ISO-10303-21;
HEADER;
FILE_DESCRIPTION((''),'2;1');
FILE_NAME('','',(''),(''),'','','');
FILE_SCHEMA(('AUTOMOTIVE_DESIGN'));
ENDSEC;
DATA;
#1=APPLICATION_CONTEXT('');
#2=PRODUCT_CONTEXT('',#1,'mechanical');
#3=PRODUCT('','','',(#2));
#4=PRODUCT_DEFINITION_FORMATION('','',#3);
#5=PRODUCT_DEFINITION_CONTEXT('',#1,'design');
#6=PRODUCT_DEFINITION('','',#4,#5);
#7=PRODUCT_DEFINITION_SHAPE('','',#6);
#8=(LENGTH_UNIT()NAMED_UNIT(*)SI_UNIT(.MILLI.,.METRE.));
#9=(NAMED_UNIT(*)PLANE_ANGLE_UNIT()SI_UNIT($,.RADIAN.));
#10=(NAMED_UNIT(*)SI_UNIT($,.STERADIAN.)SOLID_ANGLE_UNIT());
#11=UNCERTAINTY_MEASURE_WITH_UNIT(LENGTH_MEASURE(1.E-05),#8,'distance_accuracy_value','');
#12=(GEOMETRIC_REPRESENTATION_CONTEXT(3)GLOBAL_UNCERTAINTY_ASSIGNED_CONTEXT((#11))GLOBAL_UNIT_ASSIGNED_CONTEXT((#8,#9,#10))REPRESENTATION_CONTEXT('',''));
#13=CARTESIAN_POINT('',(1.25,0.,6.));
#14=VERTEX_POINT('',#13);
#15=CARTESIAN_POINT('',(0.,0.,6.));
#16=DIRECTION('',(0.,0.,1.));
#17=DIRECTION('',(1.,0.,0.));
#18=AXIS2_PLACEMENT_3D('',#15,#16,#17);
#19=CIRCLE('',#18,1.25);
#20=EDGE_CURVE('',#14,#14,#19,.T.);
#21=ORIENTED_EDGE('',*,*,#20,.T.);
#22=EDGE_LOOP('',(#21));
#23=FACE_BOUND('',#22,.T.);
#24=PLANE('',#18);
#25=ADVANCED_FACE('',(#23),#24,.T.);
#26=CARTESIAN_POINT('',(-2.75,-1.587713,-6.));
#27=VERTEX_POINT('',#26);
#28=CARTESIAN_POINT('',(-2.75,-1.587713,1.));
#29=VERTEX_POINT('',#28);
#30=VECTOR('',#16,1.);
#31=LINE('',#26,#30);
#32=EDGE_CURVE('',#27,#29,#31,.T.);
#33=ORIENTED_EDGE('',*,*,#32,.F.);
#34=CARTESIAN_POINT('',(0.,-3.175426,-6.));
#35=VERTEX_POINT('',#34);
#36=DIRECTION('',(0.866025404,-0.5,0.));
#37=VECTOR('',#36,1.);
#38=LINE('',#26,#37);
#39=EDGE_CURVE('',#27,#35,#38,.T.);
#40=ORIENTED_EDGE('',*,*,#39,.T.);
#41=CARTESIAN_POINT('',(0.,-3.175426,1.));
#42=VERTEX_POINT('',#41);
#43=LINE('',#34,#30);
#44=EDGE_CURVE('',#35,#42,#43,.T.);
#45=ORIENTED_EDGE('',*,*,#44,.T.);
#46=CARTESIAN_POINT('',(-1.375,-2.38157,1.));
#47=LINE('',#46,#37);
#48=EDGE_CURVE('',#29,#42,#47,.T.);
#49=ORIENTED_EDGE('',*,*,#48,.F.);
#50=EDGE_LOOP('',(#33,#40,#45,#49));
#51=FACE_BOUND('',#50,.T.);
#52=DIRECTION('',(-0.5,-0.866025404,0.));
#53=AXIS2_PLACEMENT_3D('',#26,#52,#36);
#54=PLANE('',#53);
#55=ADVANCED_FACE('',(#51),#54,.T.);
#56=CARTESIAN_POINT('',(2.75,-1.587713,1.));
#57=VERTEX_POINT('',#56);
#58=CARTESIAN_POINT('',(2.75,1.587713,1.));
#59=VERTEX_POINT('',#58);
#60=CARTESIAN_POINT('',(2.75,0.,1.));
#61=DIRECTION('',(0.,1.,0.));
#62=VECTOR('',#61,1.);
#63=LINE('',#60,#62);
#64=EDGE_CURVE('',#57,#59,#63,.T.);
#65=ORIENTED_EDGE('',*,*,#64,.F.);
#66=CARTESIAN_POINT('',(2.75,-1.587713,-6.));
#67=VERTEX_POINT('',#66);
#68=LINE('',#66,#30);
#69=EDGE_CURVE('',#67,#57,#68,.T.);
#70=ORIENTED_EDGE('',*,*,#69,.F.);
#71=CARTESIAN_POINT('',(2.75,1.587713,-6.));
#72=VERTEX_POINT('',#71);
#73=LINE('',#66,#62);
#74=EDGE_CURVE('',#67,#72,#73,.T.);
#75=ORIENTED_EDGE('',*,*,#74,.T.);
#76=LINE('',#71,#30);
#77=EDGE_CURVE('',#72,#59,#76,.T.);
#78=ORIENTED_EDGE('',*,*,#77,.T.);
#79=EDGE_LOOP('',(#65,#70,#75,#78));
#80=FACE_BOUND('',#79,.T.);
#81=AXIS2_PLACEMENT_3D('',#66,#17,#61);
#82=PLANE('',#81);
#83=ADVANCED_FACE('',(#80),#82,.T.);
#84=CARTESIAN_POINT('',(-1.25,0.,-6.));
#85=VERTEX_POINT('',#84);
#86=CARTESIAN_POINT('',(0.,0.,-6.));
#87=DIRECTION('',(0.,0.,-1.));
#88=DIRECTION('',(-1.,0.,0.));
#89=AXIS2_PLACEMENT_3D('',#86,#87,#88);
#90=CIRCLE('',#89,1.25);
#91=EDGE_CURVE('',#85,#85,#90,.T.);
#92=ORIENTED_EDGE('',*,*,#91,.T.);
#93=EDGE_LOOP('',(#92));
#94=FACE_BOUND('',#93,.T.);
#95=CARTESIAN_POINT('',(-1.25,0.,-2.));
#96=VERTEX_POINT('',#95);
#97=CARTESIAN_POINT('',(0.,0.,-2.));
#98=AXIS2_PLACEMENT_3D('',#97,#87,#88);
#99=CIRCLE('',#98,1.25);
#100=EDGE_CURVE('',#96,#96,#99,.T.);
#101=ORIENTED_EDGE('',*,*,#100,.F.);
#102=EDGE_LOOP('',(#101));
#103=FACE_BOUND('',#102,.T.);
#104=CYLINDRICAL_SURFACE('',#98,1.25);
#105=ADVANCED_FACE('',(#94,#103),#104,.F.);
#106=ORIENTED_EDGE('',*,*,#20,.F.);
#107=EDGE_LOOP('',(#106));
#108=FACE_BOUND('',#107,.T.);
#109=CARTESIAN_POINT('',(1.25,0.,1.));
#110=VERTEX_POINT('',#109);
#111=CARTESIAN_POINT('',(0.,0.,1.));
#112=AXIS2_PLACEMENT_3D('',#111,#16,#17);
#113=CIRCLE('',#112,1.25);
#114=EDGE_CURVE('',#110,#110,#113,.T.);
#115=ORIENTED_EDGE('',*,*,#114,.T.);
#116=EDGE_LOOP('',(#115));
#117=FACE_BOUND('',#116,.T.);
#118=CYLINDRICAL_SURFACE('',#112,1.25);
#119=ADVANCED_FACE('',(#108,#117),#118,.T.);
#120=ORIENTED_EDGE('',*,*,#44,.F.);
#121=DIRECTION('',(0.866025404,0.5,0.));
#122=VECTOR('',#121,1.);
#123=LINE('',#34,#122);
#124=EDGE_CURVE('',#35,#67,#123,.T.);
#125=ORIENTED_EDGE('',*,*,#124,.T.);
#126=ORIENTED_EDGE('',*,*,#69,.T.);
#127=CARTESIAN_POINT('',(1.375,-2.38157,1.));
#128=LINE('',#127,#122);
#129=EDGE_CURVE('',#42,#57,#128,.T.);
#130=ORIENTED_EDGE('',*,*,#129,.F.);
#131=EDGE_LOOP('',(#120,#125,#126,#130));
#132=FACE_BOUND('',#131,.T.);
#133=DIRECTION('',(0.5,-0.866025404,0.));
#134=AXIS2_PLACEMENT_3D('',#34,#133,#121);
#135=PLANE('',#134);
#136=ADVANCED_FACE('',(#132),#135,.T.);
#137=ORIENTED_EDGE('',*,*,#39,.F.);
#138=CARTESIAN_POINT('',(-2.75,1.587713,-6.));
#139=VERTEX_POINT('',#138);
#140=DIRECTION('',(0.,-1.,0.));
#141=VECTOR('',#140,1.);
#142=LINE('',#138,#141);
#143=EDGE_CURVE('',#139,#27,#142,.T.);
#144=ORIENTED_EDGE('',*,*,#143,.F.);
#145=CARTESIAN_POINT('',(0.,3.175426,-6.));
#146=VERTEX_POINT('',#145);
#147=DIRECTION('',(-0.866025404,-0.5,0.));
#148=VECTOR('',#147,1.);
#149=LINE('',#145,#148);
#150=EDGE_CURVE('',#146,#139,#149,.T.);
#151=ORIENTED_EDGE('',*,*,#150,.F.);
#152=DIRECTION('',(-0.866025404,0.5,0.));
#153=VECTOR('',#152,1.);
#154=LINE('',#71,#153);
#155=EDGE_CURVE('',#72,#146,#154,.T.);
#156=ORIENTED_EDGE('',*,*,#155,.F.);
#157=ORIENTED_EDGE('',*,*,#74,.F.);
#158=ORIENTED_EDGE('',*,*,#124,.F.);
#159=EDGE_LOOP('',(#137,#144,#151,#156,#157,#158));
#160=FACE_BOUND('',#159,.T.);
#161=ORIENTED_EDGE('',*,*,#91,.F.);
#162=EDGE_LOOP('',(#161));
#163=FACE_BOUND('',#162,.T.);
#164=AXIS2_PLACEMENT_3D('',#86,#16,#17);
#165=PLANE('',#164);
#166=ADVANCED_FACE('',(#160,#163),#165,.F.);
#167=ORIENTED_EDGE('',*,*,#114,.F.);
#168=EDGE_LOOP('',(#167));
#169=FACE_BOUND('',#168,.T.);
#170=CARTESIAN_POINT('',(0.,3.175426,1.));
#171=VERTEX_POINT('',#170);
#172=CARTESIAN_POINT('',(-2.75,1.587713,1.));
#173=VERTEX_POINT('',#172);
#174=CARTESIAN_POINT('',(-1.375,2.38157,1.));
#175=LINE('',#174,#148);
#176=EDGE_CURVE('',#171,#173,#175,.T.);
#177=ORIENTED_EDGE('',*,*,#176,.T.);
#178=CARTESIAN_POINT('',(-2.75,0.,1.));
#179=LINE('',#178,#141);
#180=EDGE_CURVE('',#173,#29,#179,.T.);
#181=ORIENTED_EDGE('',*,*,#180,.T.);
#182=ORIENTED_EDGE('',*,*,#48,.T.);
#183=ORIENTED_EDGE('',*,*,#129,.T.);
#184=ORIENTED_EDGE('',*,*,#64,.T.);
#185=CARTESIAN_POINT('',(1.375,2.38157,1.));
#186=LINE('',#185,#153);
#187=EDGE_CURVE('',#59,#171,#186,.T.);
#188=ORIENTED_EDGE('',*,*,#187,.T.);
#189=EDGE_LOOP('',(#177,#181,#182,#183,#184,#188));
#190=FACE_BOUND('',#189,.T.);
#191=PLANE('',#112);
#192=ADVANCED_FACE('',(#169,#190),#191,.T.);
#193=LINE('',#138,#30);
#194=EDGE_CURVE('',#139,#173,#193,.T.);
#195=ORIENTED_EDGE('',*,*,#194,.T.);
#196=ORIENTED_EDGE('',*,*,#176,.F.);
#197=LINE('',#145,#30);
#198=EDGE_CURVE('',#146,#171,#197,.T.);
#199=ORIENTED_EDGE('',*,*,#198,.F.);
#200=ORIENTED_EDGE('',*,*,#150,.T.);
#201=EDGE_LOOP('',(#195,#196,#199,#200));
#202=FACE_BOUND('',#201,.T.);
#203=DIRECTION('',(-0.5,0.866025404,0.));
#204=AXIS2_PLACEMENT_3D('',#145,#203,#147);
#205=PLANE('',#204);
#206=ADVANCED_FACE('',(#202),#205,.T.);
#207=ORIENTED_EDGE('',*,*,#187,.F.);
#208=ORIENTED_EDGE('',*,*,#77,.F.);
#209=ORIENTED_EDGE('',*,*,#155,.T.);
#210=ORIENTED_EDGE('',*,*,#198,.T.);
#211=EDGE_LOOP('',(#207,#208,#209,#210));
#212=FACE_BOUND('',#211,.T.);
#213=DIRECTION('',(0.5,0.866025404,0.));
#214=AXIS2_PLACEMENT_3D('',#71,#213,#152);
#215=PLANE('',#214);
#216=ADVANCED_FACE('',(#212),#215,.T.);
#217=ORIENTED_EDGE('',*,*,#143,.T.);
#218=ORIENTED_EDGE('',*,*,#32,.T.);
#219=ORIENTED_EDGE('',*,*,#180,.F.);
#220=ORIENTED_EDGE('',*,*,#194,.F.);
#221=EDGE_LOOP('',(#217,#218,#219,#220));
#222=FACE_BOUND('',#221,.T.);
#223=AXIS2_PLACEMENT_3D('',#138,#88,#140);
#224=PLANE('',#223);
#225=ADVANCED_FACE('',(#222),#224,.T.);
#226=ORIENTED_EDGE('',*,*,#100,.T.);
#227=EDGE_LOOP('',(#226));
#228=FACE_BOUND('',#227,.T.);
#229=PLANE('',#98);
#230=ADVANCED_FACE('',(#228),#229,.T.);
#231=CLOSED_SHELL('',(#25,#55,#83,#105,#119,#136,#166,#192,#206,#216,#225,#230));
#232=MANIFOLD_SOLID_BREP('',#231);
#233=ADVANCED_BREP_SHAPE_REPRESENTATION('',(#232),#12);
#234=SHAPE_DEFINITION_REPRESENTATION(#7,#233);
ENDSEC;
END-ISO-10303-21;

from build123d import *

# Parameters (mm, degrees)
EXTRUSION1_DEPTH      = 6
EXTRUSION1_DEPTH_BACK = 6
SKETCH2_R             = 1.25
EXTRUSION2_DEPTH      = 4
SKETCH3_R             = 1.25
THREAD2_DEPTH         = 5


with BuildPart() as part:
    # Sketch1 → Extrusion1 (new body, two sides)
    with BuildSketch(Plane.XY) as extrusion1_sk:
        Polygon((0, 3.175426481), (-2.75, 1.58771324), (-2.75, -1.58771324), (0, -3.175426481), (2.75, -1.58771324), (2.75, 1.58771324), align=None)
    extrude(amount=EXTRUSION1_DEPTH)
    extrude(extrusion1_sk.sketch, amount=-EXTRUSION1_DEPTH_BACK)

    # Sketch2 → Extrusion2 (cut)
    with BuildSketch(Plane(origin=(0, 0, -6), x_dir=(-1, 0, 0), z_dir=(0, 0, -1))):
        Circle(SKETCH2_R)
    extrude(amount=-EXTRUSION2_DEPTH, mode=Mode.SUBTRACT)

    # Sketch3 → Thread2 (cut)
    with BuildSketch(Plane.XY.offset(6)):
        Polygon((2.75, -1.58771324), (2.75, 1.58771324), (0, 3.175426481), (-2.75, 1.58771324), (-2.75, -1.58771324), (0, -3.175426481), align=None)
        Circle(SKETCH3_R, mode=Mode.SUBTRACT)
    extrude(amount=-THREAD2_DEPTH, mode=Mode.SUBTRACT)


solid = part.part
